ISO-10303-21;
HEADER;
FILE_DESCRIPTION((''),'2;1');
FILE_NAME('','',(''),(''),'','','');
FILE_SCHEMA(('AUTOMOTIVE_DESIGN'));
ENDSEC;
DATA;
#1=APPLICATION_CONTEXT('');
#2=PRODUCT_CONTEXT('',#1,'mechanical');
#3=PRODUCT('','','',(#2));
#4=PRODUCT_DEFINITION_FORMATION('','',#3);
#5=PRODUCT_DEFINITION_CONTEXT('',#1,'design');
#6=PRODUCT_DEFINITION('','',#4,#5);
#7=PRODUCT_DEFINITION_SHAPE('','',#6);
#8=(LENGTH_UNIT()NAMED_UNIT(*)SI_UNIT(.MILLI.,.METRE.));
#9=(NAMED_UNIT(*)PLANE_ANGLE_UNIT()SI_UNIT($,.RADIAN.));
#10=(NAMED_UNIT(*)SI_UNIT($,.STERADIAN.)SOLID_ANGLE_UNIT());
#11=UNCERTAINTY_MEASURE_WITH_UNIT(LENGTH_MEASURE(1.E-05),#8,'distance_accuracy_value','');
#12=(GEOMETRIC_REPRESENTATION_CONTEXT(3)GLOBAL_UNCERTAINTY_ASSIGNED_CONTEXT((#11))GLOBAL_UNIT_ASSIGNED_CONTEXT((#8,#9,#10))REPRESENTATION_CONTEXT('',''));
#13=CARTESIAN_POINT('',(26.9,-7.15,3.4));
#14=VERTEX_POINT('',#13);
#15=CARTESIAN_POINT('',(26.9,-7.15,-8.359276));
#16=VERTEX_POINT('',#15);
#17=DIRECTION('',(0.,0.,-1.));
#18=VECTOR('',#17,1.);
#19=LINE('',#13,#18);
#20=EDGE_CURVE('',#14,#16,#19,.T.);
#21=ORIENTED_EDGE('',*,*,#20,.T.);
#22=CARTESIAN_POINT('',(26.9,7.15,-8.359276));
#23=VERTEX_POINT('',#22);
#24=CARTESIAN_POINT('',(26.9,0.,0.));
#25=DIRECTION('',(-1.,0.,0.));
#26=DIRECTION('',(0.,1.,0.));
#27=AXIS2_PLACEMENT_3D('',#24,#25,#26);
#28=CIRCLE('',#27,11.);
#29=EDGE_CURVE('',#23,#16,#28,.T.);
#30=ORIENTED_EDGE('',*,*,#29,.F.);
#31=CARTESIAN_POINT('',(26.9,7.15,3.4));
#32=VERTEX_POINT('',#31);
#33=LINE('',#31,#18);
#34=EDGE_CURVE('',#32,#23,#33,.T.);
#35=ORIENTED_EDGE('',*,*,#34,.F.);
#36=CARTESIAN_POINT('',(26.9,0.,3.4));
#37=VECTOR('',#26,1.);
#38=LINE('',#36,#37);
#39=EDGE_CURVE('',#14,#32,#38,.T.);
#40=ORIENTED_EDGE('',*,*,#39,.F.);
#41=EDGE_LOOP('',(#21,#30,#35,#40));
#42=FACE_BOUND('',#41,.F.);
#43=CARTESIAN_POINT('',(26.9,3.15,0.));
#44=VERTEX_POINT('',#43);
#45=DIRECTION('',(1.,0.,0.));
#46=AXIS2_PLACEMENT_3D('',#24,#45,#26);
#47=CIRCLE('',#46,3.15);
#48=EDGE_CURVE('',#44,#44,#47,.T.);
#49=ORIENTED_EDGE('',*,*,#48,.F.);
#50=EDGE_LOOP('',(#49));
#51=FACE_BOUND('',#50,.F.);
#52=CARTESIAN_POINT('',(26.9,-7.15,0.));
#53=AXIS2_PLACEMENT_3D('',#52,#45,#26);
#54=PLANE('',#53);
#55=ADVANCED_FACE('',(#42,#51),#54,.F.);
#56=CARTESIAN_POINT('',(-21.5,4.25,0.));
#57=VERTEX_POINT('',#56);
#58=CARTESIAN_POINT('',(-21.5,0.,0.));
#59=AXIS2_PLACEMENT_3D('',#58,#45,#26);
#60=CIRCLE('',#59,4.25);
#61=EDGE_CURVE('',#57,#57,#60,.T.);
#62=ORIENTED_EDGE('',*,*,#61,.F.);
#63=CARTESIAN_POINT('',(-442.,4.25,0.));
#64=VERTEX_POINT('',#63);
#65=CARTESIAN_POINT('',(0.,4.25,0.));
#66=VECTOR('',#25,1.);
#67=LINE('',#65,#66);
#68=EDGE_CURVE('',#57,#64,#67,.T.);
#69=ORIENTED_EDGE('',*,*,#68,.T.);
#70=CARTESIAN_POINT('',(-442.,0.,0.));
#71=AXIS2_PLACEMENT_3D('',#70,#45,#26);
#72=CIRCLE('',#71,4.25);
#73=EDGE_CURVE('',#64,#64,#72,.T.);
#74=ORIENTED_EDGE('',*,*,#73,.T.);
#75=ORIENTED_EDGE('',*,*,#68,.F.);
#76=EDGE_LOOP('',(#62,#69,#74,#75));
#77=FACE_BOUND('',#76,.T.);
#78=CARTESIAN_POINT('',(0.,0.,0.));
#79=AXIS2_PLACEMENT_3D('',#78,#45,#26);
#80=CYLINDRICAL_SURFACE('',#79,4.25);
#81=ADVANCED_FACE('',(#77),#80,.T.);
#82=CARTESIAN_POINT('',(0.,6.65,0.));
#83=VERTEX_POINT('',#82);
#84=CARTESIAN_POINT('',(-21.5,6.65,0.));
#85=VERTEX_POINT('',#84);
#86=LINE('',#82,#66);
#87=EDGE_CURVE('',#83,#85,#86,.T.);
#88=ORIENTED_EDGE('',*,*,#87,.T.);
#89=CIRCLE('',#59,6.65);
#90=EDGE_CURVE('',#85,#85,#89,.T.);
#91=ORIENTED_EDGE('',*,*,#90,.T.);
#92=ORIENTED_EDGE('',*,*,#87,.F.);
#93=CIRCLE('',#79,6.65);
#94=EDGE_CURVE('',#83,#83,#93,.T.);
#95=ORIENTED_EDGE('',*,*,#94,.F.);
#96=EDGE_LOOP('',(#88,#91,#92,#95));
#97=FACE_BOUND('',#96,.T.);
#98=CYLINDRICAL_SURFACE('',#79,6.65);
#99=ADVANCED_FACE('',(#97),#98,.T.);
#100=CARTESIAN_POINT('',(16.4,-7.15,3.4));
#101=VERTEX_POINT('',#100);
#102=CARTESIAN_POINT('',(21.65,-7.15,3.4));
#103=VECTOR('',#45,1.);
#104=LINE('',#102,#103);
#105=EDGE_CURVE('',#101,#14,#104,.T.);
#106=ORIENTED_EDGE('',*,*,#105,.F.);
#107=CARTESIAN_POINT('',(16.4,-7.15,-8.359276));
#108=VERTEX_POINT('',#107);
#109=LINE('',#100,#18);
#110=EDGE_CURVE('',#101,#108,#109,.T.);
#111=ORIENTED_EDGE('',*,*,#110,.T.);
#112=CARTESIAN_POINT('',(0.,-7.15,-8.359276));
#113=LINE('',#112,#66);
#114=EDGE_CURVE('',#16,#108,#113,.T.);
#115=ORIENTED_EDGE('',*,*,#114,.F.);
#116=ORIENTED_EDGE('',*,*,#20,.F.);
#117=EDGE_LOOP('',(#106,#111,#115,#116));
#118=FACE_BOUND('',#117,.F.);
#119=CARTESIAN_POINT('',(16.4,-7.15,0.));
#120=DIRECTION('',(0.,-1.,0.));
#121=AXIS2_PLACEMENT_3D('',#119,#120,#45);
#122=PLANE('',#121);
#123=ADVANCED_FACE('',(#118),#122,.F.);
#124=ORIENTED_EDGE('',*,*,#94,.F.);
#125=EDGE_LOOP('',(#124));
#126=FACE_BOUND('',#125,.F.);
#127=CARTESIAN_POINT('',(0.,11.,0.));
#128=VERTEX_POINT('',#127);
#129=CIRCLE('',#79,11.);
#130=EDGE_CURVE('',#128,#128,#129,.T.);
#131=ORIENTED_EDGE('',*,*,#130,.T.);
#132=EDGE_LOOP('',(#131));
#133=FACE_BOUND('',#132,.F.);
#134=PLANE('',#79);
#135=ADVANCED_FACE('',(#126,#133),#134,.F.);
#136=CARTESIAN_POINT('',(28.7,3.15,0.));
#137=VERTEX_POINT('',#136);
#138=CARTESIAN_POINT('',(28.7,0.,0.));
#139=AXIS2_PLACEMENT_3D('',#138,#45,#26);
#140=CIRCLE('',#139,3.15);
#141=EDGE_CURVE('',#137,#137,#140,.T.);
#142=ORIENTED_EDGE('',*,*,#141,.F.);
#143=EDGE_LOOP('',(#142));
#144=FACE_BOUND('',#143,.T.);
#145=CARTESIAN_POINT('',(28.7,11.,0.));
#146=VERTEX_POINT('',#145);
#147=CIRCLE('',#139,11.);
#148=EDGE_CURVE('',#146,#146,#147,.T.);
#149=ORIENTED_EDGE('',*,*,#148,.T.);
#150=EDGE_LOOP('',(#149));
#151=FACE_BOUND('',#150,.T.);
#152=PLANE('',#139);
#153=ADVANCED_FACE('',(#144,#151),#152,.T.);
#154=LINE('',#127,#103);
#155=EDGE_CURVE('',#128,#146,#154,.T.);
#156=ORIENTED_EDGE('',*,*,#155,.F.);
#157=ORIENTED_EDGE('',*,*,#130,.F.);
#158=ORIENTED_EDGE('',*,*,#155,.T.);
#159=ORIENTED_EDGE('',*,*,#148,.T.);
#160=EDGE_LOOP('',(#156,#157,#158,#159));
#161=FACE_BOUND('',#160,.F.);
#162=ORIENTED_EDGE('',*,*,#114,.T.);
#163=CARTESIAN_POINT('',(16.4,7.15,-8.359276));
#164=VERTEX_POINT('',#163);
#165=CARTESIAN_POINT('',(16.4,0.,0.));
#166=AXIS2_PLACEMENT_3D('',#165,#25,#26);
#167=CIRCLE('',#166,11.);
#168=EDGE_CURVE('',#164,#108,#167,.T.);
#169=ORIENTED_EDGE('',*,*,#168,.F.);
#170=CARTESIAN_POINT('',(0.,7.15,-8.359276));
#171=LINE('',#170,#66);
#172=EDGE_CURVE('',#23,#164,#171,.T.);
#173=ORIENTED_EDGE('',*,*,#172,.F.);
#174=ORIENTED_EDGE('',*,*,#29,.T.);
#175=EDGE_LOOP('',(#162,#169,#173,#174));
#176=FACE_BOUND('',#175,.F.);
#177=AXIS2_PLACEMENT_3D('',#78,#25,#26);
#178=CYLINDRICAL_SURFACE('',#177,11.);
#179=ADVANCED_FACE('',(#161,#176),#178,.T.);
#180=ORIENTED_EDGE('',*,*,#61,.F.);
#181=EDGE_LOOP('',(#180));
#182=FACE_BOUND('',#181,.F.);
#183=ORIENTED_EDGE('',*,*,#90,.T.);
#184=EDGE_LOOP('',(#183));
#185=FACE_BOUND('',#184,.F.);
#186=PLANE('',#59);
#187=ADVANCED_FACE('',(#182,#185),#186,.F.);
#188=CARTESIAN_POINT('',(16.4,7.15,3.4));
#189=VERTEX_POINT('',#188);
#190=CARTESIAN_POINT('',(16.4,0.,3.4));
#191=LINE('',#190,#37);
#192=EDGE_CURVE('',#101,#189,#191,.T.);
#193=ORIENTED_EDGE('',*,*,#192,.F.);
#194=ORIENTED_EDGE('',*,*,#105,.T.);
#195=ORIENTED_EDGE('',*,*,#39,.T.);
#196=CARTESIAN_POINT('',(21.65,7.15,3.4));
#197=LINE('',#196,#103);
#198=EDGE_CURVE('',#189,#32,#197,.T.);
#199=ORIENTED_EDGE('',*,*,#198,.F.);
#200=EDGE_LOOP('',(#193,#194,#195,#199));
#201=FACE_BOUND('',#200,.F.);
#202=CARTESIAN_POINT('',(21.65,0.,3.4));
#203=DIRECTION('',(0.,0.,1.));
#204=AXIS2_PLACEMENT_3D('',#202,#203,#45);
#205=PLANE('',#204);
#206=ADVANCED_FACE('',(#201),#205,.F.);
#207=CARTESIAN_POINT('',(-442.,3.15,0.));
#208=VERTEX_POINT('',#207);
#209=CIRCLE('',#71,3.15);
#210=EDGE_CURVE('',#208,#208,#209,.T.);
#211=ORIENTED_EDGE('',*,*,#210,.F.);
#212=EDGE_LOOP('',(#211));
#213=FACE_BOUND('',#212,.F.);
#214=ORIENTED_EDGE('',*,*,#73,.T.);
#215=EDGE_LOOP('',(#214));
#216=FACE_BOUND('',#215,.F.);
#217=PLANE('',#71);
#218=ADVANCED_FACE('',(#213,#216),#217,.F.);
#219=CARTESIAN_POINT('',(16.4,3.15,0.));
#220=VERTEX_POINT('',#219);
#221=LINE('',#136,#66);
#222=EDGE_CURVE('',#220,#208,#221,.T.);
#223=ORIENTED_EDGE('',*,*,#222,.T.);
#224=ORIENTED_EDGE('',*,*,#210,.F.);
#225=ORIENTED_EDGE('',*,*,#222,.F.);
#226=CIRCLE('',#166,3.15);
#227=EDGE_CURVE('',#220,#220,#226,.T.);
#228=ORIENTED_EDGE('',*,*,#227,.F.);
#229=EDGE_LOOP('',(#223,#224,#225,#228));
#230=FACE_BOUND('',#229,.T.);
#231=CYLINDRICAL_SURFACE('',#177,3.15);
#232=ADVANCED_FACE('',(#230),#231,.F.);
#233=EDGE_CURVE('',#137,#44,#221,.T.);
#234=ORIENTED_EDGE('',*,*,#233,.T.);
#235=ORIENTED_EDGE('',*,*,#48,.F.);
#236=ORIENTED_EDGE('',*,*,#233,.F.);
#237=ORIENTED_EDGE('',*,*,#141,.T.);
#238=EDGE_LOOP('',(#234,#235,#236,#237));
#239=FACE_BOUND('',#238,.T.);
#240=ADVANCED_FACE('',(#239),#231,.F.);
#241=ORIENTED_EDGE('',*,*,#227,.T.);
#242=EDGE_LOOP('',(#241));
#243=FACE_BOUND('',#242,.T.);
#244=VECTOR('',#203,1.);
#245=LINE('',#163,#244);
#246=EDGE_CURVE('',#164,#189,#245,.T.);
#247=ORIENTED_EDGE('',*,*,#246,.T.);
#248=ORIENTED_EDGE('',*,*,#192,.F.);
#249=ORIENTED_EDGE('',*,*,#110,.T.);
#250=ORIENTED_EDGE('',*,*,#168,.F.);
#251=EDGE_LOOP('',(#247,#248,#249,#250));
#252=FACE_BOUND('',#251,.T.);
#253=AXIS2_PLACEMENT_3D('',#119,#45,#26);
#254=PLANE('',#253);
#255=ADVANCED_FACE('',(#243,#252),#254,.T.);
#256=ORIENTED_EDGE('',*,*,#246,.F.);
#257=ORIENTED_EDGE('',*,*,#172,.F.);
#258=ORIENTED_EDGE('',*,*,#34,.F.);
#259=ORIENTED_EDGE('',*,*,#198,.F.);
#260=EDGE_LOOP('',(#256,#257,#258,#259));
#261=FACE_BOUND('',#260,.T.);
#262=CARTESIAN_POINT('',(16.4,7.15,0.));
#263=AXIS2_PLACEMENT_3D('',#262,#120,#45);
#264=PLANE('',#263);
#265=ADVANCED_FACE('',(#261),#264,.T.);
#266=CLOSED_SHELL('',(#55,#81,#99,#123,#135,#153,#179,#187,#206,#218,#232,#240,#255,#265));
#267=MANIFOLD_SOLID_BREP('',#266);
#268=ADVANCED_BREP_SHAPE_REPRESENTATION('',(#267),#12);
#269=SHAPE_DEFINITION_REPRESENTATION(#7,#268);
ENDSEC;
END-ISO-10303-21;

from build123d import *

# Parameters (mm, degrees)
F0_R          = 4.25
F0_R_2        = 3.15
F1_DEPTH      = 442
F0_R_3        = 6.65
F2_DEPTH      = 21.5
F0_R_4        = 11
F3_DEPTH      = 28.7
F4_W          = 10.5
F4_H          = 14.3
F5_DEPTH      = 11.001
F5_DEPTH_BACK = 3.4


with BuildPart() as f1:
    # F0 (on Right) → F1 (new body)
    with BuildSketch(Plane.YZ):
        Circle(F0_R)
        Circle(F0_R_2, mode=Mode.SUBTRACT)
    extrude(amount=-F1_DEPTH)

    # F0 (on Right) → F2 (join)
    with BuildSketch(Plane.YZ):
        Circle(F0_R_3)
        Circle(F0_R, mode=Mode.SUBTRACT)
    extrude(amount=-F2_DEPTH)

    # F0 (on Right) → F3 (join)
    with BuildSketch(Plane.YZ):
        Circle(F0_R_4)
        Circle(F0_R_3, mode=Mode.SUBTRACT)
        Circle(F0_R_3)
        Circle(F0_R, mode=Mode.SUBTRACT)
        Circle(F0_R)
        Circle(F0_R_2, mode=Mode.SUBTRACT)
    extrude(amount=F3_DEPTH)

    # F4 (on Top) → F5 (cut, two sides)
    with BuildSketch(Plane.XY) as f5_sk:
        with Locations((21.65, 0)):
            Rectangle(F4_W, F4_H)
    extrude(amount=-F5_DEPTH, mode=Mode.SUBTRACT)
    extrude(f5_sk.sketch, amount=F5_DEPTH_BACK, mode=Mode.SUBTRACT)


solid = f1.part
